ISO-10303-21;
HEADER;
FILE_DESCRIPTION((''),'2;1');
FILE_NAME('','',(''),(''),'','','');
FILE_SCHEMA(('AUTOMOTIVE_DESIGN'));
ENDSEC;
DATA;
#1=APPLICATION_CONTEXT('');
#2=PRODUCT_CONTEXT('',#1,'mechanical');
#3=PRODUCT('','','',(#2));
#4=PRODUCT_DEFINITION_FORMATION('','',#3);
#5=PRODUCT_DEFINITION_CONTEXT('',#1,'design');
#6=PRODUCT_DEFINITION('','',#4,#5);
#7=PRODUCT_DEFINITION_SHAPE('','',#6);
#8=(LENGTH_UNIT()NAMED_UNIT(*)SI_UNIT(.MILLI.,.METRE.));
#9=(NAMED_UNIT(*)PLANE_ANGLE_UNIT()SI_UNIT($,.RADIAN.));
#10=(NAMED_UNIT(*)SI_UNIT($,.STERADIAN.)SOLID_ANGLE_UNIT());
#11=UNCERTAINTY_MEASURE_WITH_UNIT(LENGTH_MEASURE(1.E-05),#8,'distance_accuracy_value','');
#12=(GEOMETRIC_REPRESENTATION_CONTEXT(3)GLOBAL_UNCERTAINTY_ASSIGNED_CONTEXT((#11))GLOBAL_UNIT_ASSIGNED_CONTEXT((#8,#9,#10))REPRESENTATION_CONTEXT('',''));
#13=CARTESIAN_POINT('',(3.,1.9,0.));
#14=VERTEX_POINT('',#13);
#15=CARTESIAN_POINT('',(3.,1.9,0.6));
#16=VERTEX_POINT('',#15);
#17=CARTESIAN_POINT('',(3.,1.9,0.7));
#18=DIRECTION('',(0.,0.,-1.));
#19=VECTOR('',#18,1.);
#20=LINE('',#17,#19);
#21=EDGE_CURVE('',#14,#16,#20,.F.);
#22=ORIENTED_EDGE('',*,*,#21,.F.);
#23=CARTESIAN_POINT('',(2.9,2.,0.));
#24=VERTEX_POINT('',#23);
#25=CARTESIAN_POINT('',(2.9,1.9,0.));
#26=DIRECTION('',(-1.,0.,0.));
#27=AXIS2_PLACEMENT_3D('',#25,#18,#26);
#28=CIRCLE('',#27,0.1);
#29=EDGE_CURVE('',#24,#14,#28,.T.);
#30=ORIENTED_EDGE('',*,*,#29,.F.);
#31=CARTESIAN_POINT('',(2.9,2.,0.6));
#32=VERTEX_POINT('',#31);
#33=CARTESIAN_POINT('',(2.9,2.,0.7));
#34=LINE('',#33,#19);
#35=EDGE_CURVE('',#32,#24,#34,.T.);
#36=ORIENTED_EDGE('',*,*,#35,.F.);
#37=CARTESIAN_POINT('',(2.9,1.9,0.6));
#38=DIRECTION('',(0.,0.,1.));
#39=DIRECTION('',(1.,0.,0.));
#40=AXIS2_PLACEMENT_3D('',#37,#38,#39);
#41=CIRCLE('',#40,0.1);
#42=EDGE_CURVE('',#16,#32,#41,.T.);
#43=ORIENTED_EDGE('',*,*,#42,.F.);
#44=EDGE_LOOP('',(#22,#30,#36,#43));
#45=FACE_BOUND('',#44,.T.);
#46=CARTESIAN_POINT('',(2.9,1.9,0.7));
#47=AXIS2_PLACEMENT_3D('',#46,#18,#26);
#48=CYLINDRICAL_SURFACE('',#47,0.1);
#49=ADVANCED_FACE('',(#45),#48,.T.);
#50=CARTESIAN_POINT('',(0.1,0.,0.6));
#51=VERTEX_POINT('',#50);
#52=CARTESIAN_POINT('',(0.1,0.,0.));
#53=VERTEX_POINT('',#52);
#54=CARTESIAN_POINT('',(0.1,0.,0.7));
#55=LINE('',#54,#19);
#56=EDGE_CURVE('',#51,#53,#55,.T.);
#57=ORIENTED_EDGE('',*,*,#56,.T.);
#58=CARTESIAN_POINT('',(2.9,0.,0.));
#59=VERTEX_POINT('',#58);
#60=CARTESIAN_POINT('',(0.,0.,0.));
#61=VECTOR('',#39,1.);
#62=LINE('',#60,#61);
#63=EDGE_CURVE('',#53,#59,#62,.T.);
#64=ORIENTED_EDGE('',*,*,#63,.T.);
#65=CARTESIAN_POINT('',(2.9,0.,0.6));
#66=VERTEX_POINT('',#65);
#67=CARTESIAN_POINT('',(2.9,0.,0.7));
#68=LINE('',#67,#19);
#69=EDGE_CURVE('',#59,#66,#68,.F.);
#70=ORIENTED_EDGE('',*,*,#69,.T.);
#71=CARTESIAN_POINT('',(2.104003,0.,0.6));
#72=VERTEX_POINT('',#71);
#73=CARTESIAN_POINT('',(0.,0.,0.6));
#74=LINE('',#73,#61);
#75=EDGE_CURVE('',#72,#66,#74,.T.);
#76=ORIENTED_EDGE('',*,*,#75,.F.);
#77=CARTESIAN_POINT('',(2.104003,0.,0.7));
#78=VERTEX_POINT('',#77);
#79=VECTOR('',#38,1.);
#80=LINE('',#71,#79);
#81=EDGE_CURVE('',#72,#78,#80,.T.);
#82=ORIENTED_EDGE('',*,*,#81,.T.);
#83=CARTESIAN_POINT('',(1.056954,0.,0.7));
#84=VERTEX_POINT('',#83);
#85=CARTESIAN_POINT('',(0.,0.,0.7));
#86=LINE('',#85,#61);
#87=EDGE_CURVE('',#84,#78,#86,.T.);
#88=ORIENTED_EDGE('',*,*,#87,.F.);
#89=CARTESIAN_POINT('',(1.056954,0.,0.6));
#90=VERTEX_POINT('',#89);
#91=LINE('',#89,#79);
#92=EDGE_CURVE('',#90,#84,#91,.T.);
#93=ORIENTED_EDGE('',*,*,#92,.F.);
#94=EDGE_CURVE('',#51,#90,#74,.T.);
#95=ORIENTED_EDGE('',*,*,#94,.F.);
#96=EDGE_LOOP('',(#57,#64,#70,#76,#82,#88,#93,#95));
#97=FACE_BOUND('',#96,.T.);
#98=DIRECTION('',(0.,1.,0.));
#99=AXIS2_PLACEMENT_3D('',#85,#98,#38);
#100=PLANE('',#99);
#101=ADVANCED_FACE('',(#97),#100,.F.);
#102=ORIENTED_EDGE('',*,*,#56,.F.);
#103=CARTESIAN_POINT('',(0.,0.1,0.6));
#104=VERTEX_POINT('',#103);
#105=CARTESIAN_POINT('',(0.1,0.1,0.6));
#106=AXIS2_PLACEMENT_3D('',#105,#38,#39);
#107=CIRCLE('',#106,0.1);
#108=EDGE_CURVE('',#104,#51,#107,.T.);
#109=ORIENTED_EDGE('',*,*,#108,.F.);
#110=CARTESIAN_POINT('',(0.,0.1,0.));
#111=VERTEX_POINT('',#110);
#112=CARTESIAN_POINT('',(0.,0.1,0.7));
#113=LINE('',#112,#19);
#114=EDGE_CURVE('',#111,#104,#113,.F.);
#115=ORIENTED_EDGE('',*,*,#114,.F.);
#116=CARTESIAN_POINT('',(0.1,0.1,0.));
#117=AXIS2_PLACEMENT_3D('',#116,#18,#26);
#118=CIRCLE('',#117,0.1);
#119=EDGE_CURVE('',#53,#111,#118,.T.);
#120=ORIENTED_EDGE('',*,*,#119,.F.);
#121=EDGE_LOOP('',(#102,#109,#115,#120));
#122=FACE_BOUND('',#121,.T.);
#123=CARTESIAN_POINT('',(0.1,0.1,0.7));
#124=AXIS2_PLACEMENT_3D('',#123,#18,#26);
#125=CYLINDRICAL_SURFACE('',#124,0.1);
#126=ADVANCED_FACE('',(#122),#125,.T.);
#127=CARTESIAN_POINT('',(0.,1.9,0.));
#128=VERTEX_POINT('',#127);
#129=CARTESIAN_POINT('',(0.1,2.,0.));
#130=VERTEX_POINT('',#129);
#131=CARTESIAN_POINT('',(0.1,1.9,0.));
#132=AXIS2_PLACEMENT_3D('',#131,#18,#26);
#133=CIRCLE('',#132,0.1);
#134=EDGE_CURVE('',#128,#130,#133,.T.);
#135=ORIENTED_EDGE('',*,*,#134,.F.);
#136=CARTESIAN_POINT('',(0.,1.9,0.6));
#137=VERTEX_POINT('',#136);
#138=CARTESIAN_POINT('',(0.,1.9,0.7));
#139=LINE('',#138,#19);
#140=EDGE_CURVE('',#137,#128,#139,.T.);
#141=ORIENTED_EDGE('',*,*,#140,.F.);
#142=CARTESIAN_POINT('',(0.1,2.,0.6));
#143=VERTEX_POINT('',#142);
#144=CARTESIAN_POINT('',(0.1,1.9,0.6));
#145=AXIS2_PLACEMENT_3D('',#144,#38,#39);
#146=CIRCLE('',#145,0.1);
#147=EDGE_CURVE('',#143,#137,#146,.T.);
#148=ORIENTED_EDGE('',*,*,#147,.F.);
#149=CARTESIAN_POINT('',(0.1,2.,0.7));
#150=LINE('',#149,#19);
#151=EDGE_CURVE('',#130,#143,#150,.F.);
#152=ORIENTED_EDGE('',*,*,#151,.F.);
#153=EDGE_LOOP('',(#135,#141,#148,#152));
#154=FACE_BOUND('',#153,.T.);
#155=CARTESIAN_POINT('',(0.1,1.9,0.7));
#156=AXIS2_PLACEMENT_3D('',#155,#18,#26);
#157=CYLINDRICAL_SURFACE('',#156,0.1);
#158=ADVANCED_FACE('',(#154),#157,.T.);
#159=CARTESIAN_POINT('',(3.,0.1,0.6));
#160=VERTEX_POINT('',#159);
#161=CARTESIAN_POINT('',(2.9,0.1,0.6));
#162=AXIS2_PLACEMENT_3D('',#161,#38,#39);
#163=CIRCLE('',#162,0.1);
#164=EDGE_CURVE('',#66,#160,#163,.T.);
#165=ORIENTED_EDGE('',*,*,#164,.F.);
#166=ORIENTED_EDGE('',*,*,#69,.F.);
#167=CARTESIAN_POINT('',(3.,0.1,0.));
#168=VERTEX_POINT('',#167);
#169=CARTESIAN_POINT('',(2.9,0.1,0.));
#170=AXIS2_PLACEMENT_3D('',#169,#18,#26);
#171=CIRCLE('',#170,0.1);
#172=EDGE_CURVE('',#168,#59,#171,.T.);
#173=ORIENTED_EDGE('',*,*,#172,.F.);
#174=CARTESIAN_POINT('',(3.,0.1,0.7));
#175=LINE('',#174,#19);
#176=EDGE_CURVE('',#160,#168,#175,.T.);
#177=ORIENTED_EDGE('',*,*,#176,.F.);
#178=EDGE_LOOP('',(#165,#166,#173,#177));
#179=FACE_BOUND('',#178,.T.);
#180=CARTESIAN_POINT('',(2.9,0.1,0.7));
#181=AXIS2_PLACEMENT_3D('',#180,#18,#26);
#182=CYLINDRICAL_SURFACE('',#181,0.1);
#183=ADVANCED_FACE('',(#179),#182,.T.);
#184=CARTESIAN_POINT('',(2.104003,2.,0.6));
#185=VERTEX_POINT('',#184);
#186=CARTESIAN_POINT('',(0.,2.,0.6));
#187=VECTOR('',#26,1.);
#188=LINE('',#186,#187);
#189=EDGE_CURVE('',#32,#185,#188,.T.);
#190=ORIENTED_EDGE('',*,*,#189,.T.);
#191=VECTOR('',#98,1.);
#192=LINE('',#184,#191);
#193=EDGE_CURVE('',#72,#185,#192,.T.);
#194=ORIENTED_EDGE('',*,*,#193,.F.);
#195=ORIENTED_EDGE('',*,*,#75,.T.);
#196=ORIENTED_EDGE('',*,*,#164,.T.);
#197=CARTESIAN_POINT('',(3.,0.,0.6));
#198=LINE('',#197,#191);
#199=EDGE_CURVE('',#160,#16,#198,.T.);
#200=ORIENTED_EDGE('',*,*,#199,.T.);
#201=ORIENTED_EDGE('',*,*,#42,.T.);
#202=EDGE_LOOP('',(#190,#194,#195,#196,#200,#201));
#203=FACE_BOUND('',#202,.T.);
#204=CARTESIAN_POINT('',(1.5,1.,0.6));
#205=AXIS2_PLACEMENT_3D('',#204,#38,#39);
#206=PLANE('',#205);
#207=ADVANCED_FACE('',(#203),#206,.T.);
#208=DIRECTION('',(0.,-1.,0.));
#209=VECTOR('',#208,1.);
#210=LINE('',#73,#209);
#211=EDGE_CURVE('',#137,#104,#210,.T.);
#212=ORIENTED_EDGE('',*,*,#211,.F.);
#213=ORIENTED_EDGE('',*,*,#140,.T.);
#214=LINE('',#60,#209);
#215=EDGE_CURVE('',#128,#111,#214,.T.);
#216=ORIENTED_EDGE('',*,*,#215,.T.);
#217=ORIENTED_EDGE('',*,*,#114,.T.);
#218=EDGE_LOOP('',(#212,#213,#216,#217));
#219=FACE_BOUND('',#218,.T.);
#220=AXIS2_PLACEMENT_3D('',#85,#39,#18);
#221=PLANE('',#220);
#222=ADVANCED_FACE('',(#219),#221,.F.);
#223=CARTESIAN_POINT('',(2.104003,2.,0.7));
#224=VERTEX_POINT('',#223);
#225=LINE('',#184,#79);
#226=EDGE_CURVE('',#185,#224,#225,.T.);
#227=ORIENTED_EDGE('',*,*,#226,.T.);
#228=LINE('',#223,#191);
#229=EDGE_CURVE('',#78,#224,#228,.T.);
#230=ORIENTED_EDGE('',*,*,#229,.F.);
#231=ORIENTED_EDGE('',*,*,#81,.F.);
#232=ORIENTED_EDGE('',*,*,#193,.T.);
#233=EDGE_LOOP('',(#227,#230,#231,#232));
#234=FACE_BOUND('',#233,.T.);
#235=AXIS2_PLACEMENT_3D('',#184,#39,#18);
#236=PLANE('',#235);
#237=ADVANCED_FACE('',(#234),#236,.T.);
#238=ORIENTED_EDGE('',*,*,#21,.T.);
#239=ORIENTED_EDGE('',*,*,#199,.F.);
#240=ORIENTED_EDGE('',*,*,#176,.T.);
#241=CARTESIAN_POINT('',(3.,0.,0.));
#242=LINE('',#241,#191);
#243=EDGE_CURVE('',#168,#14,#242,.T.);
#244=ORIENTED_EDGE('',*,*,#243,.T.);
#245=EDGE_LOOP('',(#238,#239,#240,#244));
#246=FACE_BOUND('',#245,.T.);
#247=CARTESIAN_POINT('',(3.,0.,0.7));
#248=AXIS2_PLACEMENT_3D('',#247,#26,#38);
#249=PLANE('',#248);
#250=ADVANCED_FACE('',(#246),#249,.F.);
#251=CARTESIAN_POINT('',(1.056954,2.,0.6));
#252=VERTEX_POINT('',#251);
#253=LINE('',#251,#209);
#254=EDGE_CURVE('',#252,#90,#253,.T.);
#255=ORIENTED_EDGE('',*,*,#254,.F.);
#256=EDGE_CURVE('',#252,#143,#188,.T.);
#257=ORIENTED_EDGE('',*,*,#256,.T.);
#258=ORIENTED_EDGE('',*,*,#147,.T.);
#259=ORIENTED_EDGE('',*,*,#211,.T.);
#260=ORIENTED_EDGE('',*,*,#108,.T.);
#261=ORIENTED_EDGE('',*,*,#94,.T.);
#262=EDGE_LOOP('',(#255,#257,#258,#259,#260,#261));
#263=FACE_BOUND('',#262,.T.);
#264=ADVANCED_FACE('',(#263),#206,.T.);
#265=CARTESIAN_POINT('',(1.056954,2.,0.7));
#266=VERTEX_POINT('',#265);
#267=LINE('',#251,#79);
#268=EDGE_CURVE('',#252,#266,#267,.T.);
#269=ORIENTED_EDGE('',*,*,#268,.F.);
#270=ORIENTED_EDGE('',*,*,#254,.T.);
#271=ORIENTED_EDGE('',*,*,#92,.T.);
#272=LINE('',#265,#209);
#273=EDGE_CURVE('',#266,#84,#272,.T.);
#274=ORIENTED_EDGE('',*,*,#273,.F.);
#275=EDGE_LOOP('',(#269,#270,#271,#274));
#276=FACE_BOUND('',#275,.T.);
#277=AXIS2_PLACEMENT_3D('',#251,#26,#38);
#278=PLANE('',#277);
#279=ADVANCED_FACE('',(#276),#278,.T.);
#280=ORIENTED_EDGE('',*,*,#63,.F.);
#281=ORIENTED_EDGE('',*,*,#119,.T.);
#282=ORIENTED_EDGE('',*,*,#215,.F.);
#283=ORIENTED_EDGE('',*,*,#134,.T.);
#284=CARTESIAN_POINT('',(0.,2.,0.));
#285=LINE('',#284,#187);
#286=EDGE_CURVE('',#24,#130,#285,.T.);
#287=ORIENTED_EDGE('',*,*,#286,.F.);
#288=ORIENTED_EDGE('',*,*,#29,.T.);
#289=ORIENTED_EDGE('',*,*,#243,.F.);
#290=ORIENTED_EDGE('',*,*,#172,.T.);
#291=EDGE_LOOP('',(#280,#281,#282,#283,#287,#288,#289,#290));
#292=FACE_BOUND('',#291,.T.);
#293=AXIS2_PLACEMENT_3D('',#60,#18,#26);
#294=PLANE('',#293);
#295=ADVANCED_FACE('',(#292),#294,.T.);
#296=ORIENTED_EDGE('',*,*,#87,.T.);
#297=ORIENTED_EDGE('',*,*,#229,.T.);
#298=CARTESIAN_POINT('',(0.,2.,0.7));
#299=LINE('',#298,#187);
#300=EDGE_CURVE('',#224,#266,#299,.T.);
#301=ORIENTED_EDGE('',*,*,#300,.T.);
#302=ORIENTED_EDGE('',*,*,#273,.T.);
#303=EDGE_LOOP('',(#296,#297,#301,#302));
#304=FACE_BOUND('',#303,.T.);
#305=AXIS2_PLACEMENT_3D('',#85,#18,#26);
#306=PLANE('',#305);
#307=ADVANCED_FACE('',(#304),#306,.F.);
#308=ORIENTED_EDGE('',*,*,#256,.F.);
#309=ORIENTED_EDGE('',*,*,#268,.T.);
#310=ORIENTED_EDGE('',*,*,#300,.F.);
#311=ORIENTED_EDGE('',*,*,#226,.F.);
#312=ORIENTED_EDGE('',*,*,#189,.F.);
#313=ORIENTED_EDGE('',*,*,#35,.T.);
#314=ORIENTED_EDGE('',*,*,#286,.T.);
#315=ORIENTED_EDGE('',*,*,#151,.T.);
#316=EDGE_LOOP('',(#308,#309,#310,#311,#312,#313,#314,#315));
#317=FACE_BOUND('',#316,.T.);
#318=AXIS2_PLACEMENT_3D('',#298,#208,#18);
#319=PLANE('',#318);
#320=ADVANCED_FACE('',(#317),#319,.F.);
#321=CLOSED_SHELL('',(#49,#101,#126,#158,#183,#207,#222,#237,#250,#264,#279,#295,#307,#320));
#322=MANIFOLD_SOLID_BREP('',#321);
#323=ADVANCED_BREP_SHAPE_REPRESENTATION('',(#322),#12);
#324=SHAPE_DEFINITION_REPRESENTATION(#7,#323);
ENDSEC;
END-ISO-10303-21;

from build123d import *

# Parameters (mm, degrees)
SKETCH_1_W           = 3
SKETCH_1_H           = 2
EXTRUDE_1_DEPTH      = 0.7
SKETCH_2_OUTSIDE_W   = 5.734
SKETCH_2_OUTSIDE_H   = 4.734
SKETCH_2_OUTSIDE_W_2 = 1.047048505
SKETCH_2_OUTSIDE_H_2 = 2
CUT_EXTRUDE_1_DEPTH  = 0.1
FILLET_1_R           = 0.1


with BuildPart() as part:
    # 草图1 → 凸台-拉伸1 (new body)
    with BuildSketch(Plane.XY):
        with Locations((1.5, 1)):
            Rectangle(SKETCH_1_W, SKETCH_1_H)
    extrude(amount=EXTRUDE_1_DEPTH)

    # 草图2 outside → 切除-拉伸1 (cut)
    with BuildSketch(Plane.XY.offset(0.7)):
        with Locations((1.5, 1)):
            Rectangle(SKETCH_2_OUTSIDE_W, SKETCH_2_OUTSIDE_H)
        with Locations((1.580478371, 1)):
            Rectangle(SKETCH_2_OUTSIDE_W_2, SKETCH_2_OUTSIDE_H_2, mode=Mode.SUBTRACT)
    extrude(amount=-CUT_EXTRUDE_1_DEPTH, mode=Mode.SUBTRACT)

    # 圆角1
    fillet_1_edges = [part.edges().sort_by_distance(p)[0] for p in [
        (0, 2, 0.3),
        (3, 2, 0.3),
        (3, 0, 0.3),
        (0, 0, 0.3),
    ]]
    fillet(fillet_1_edges, radius=FILLET_1_R)


solid = part.part
